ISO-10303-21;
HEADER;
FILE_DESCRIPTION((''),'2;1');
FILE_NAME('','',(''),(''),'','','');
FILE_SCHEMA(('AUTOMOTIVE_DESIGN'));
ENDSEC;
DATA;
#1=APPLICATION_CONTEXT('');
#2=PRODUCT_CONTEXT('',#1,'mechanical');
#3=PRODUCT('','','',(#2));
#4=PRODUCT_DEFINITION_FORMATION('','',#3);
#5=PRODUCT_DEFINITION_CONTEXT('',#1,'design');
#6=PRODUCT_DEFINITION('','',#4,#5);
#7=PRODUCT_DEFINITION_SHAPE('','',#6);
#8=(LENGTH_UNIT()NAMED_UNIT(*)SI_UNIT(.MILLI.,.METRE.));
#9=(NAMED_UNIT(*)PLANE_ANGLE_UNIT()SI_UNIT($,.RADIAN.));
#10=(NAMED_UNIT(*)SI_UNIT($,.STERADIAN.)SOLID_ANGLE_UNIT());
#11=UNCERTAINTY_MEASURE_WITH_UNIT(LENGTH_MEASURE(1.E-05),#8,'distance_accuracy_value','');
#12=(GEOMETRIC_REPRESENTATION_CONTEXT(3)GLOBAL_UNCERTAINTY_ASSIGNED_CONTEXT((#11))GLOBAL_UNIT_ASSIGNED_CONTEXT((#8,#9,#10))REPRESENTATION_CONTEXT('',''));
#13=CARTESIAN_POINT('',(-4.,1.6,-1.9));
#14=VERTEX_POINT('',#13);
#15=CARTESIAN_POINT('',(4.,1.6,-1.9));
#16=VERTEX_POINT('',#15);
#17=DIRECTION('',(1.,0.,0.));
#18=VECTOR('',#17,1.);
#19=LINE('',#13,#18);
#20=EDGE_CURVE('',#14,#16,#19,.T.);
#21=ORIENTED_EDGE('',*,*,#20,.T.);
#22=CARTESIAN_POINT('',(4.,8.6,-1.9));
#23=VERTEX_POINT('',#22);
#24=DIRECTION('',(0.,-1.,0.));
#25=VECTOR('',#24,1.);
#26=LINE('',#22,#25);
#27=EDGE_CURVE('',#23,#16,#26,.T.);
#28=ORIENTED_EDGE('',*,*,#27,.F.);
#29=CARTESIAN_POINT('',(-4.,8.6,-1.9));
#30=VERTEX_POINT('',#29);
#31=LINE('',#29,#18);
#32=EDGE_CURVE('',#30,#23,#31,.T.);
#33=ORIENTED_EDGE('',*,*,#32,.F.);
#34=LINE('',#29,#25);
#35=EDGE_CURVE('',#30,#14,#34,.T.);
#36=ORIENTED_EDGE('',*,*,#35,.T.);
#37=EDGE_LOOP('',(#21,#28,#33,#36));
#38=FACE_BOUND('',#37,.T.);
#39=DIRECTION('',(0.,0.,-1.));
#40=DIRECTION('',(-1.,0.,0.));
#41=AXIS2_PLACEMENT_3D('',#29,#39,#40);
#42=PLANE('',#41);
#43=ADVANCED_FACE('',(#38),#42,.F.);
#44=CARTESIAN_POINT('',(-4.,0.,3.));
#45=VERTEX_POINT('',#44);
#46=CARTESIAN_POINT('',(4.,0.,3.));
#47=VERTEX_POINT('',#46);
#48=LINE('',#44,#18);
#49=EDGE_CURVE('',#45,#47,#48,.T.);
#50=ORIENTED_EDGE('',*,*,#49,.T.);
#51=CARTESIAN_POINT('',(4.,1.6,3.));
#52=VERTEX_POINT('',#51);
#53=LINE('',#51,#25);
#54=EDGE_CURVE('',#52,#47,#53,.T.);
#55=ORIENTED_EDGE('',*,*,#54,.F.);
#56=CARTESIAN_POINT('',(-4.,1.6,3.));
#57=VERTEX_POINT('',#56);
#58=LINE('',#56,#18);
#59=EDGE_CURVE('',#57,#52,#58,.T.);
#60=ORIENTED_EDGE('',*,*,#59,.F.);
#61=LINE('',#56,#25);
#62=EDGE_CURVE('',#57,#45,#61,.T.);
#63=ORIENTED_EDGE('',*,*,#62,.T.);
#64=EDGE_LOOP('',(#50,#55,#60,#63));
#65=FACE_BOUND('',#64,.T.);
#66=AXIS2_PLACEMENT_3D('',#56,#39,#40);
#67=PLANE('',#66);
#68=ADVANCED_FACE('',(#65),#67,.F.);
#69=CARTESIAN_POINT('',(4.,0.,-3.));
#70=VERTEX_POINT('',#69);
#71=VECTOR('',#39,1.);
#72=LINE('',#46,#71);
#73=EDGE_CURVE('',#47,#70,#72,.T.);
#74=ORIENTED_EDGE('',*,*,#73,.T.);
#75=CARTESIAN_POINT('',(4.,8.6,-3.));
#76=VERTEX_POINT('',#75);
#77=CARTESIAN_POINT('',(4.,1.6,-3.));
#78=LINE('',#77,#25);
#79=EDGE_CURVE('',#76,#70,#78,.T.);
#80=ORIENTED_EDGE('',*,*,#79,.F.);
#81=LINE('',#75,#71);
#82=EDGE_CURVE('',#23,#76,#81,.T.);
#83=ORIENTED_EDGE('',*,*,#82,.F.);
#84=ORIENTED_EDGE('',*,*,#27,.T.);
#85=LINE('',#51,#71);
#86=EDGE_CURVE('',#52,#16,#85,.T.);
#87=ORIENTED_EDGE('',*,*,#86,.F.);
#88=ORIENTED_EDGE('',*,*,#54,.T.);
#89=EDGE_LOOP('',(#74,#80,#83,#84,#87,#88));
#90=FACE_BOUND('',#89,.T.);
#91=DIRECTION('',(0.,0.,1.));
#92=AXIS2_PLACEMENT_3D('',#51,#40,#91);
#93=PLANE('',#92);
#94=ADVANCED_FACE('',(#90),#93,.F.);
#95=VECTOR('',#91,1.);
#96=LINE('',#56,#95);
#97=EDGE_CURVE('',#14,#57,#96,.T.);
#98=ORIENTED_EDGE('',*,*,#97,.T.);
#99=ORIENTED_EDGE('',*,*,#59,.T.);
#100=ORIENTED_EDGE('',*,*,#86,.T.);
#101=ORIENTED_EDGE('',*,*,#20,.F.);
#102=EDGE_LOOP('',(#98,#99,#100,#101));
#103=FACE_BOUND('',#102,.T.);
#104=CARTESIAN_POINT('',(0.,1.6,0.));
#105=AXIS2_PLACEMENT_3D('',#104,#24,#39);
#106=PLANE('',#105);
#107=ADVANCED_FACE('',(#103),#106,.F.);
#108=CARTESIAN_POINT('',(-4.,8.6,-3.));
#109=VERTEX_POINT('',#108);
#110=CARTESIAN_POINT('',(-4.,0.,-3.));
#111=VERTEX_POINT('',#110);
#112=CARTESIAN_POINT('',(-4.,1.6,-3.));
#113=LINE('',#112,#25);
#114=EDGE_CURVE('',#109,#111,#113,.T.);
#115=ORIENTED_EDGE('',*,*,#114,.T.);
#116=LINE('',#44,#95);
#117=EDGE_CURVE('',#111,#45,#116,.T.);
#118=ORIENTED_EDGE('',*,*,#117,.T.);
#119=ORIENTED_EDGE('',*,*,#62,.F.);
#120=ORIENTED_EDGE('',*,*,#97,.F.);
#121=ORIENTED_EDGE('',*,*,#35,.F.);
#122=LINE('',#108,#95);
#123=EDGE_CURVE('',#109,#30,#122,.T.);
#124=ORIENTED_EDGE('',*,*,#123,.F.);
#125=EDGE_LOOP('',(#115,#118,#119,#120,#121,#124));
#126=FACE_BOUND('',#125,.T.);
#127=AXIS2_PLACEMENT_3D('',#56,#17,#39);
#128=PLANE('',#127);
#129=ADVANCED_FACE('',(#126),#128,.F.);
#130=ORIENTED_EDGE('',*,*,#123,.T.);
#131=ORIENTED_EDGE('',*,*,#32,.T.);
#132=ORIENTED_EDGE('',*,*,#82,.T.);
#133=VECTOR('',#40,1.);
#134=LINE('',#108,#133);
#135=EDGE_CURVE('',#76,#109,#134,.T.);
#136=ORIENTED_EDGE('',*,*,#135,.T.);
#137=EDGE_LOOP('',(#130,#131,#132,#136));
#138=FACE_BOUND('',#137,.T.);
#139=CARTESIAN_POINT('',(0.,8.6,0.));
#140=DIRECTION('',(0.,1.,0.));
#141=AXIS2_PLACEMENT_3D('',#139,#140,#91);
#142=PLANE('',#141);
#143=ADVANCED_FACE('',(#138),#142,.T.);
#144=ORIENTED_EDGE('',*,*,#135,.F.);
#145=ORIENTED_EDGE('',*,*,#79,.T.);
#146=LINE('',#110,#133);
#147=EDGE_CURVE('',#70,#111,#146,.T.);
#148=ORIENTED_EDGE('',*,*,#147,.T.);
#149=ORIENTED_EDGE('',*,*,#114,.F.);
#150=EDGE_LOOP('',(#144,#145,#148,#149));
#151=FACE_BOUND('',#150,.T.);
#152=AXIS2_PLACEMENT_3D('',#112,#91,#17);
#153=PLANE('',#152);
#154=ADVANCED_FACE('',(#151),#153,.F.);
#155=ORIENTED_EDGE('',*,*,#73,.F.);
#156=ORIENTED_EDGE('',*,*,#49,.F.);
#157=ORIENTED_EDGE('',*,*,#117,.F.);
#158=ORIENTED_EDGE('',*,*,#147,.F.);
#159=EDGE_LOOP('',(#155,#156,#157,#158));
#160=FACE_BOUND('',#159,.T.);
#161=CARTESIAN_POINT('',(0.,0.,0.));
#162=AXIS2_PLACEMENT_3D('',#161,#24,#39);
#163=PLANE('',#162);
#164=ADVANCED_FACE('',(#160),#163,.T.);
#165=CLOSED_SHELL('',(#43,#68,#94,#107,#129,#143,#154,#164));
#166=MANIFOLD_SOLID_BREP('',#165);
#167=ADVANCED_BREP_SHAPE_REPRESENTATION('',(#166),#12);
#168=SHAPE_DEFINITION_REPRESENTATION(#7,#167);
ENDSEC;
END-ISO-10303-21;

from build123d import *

# Parameters (mm, degrees)
SKETCH1_W           = 8
SKETCH1_H           = 6
BOSS_EXTRUDE1_DEPTH = 1.6
SKETCH2_W           = 8
SKETCH2_H           = 1.1
BOSS_EXTRUDE2_DEPTH = 7


with BuildPart() as part:
    # Sketch1 → Boss-Extrude1 (new body)
    with BuildSketch(Plane(origin=(0, 0, 0), x_dir=(1, 0, 0), z_dir=(0, 1, 0))):
        Rectangle(SKETCH1_W, SKETCH1_H)
    extrude(amount=BOSS_EXTRUDE1_DEPTH)

    # Sketch2 → Boss-Extrude2 (add)
    with BuildSketch(Plane(origin=(0, 1.6, 0), x_dir=(1, 0, 0), z_dir=(0, 1, 0))):
        with Locations((0, 2.45)):
            Rectangle(SKETCH2_W, SKETCH2_H)
    extrude(amount=BOSS_EXTRUDE2_DEPTH)


solid = part.part
